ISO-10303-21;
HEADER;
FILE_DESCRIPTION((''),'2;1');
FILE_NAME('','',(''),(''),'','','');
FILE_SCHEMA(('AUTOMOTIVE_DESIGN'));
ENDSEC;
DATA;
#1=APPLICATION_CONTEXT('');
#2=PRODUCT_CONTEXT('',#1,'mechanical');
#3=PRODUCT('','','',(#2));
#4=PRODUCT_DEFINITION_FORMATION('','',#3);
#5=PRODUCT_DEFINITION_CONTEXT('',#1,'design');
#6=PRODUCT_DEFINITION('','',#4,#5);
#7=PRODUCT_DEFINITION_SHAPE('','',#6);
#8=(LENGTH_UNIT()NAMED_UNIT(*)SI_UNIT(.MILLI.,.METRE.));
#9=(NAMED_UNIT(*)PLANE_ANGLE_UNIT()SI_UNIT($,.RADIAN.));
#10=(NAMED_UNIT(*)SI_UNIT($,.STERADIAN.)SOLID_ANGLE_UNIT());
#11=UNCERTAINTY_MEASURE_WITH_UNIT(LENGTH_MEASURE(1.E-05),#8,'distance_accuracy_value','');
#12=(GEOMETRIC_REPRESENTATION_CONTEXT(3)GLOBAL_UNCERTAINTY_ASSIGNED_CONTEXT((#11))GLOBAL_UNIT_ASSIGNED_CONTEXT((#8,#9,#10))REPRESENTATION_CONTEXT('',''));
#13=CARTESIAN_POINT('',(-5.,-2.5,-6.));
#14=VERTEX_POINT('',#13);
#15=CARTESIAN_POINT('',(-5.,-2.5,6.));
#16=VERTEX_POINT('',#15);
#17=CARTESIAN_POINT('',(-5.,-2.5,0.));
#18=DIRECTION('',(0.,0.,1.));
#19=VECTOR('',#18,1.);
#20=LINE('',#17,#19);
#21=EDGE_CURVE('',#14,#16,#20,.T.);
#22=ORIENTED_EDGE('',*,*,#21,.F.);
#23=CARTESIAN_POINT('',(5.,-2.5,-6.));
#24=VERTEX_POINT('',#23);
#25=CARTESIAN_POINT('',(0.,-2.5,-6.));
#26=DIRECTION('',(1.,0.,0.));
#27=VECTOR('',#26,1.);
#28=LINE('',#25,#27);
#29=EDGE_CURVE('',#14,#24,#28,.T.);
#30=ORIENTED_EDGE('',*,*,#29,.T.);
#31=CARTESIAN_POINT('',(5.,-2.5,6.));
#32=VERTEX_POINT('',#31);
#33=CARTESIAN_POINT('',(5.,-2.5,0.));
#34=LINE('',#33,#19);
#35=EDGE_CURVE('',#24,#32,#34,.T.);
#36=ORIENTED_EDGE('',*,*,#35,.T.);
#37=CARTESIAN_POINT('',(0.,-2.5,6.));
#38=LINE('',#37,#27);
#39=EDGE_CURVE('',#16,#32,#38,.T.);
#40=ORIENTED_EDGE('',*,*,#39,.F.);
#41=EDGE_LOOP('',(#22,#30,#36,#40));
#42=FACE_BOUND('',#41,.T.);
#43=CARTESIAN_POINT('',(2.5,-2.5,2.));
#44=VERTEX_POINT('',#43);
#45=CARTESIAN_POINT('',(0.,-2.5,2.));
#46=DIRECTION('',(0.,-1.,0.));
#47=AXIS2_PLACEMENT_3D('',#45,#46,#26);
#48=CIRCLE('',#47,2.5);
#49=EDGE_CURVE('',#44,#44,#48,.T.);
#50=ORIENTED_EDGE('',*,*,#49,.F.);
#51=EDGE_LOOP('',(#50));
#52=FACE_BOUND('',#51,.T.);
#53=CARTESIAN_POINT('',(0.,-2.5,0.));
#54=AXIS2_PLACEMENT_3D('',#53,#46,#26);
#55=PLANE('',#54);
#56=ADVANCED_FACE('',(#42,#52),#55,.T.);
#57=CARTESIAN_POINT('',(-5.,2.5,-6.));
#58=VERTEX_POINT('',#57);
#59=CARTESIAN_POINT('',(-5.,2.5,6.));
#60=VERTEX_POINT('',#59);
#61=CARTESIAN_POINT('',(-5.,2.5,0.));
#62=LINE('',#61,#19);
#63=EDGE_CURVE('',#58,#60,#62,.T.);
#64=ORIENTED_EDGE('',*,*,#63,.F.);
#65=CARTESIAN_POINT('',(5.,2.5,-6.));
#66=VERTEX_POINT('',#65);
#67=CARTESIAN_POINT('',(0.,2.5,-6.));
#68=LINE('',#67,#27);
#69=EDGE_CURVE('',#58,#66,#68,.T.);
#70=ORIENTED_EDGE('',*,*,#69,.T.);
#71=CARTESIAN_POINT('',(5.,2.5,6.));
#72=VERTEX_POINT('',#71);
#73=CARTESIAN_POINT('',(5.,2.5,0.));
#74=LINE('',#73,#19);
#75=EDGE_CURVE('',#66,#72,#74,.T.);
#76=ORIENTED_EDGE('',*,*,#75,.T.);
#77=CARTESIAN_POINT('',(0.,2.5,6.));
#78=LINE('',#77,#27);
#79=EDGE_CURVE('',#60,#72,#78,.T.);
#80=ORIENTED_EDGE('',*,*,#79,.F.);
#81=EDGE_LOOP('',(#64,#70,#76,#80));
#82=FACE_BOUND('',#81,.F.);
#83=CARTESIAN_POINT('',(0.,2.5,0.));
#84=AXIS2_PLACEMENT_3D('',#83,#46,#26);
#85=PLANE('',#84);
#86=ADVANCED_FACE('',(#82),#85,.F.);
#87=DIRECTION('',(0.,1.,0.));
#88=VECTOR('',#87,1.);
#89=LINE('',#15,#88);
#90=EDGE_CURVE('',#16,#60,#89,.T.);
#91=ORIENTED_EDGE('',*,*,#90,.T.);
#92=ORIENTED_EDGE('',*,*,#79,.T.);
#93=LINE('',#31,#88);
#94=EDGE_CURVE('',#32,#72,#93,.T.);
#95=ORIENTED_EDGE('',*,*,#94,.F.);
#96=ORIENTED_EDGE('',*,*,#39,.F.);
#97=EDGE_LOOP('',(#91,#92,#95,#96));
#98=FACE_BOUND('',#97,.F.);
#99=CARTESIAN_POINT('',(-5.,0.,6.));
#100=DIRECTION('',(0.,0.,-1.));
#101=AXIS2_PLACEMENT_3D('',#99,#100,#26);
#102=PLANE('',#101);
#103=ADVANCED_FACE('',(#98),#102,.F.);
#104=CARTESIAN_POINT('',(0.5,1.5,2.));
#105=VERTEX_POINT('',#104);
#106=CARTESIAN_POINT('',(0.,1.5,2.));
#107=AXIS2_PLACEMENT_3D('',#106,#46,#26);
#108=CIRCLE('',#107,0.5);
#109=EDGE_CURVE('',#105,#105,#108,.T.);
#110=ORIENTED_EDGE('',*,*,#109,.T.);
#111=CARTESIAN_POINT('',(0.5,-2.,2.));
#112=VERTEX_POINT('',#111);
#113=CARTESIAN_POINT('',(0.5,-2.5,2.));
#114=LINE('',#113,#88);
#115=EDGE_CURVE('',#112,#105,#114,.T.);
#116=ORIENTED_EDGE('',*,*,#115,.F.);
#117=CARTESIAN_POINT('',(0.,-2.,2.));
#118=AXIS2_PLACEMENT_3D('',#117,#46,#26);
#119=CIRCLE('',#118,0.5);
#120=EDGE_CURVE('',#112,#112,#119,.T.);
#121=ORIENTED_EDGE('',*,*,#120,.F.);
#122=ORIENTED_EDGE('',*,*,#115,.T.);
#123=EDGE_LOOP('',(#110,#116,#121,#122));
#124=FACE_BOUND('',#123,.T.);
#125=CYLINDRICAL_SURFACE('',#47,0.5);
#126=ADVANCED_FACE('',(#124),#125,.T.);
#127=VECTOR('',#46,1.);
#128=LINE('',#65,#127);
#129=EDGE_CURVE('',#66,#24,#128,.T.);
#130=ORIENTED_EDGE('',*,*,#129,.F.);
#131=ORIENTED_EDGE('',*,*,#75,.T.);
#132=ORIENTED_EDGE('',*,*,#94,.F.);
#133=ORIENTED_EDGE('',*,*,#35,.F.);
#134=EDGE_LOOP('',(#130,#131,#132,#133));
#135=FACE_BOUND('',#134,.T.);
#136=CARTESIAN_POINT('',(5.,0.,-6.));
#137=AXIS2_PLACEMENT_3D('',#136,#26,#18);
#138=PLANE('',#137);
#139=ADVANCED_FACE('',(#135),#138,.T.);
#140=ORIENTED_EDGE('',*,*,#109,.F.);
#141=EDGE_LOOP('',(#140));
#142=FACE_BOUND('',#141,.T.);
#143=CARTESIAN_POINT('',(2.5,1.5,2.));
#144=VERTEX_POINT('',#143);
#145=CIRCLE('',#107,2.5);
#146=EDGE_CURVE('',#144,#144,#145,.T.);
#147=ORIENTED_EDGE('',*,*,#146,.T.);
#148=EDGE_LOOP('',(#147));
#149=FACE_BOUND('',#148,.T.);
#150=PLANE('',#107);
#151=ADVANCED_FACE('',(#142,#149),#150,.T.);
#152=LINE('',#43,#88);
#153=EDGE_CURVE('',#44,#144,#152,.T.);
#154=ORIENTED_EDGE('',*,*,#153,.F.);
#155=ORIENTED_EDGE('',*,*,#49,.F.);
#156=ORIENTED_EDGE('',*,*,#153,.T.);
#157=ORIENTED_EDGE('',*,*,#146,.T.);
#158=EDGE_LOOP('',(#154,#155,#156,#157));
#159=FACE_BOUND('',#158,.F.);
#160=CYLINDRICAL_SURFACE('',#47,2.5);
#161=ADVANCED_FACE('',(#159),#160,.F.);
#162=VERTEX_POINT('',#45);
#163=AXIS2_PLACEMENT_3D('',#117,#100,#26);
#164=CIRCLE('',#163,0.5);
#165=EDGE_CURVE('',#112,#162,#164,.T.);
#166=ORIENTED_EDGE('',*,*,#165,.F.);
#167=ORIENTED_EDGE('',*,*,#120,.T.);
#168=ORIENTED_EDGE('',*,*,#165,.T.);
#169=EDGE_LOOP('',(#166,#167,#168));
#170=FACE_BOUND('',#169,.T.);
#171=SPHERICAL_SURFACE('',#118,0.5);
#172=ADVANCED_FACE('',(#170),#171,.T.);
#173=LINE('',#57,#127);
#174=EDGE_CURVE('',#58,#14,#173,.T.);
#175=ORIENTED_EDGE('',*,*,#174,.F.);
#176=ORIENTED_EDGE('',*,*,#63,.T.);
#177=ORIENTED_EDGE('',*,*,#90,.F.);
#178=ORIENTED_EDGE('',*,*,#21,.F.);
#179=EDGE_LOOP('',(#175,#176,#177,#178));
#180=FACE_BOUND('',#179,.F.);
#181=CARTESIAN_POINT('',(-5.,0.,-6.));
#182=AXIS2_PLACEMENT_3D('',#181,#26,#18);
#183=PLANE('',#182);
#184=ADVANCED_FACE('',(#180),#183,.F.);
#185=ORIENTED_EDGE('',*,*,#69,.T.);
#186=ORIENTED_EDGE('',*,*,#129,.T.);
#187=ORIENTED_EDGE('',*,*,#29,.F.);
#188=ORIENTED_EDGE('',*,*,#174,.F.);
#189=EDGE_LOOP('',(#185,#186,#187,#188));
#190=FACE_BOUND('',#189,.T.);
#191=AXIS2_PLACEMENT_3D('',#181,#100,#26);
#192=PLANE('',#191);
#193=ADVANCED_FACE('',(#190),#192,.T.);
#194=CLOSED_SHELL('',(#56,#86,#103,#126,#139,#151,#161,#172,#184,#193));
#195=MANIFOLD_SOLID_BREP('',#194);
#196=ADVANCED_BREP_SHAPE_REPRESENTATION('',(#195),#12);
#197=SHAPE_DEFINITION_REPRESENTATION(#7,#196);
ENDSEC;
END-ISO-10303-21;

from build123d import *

# Parameters (mm, degrees)
F0_W     = 10
F0_H     = 12
F1_DEPTH = 2.5
F2_R     = 2.5
F2_R_2   = 0.5
F3_DEPTH = 4
F4_R     = 0.5


with BuildPart() as f1:
    # F0 (on Front) → F1 (new body, symmetric)
    with BuildSketch(Plane.XZ):
        Rectangle(F0_W, F0_H)
    extrude(amount=F1_DEPTH, both=True)

    # F2 (on face) → F3 (cut)
    with BuildSketch(Plane.XZ.offset(2.5)):
        with Locations((0, 2)):
            Circle(F2_R)
        with Locations((0, 2)):
            Circle(F2_R_2, mode=Mode.SUBTRACT)
    extrude(amount=-F3_DEPTH, mode=Mode.SUBTRACT)

    # F4
    f4_edges = [f1.edges().sort_by_distance(p)[0] for p in [
        (-0.5, -2.5, 2),
    ]]
    fillet(f4_edges, radius=F4_R)


solid = f1.part
